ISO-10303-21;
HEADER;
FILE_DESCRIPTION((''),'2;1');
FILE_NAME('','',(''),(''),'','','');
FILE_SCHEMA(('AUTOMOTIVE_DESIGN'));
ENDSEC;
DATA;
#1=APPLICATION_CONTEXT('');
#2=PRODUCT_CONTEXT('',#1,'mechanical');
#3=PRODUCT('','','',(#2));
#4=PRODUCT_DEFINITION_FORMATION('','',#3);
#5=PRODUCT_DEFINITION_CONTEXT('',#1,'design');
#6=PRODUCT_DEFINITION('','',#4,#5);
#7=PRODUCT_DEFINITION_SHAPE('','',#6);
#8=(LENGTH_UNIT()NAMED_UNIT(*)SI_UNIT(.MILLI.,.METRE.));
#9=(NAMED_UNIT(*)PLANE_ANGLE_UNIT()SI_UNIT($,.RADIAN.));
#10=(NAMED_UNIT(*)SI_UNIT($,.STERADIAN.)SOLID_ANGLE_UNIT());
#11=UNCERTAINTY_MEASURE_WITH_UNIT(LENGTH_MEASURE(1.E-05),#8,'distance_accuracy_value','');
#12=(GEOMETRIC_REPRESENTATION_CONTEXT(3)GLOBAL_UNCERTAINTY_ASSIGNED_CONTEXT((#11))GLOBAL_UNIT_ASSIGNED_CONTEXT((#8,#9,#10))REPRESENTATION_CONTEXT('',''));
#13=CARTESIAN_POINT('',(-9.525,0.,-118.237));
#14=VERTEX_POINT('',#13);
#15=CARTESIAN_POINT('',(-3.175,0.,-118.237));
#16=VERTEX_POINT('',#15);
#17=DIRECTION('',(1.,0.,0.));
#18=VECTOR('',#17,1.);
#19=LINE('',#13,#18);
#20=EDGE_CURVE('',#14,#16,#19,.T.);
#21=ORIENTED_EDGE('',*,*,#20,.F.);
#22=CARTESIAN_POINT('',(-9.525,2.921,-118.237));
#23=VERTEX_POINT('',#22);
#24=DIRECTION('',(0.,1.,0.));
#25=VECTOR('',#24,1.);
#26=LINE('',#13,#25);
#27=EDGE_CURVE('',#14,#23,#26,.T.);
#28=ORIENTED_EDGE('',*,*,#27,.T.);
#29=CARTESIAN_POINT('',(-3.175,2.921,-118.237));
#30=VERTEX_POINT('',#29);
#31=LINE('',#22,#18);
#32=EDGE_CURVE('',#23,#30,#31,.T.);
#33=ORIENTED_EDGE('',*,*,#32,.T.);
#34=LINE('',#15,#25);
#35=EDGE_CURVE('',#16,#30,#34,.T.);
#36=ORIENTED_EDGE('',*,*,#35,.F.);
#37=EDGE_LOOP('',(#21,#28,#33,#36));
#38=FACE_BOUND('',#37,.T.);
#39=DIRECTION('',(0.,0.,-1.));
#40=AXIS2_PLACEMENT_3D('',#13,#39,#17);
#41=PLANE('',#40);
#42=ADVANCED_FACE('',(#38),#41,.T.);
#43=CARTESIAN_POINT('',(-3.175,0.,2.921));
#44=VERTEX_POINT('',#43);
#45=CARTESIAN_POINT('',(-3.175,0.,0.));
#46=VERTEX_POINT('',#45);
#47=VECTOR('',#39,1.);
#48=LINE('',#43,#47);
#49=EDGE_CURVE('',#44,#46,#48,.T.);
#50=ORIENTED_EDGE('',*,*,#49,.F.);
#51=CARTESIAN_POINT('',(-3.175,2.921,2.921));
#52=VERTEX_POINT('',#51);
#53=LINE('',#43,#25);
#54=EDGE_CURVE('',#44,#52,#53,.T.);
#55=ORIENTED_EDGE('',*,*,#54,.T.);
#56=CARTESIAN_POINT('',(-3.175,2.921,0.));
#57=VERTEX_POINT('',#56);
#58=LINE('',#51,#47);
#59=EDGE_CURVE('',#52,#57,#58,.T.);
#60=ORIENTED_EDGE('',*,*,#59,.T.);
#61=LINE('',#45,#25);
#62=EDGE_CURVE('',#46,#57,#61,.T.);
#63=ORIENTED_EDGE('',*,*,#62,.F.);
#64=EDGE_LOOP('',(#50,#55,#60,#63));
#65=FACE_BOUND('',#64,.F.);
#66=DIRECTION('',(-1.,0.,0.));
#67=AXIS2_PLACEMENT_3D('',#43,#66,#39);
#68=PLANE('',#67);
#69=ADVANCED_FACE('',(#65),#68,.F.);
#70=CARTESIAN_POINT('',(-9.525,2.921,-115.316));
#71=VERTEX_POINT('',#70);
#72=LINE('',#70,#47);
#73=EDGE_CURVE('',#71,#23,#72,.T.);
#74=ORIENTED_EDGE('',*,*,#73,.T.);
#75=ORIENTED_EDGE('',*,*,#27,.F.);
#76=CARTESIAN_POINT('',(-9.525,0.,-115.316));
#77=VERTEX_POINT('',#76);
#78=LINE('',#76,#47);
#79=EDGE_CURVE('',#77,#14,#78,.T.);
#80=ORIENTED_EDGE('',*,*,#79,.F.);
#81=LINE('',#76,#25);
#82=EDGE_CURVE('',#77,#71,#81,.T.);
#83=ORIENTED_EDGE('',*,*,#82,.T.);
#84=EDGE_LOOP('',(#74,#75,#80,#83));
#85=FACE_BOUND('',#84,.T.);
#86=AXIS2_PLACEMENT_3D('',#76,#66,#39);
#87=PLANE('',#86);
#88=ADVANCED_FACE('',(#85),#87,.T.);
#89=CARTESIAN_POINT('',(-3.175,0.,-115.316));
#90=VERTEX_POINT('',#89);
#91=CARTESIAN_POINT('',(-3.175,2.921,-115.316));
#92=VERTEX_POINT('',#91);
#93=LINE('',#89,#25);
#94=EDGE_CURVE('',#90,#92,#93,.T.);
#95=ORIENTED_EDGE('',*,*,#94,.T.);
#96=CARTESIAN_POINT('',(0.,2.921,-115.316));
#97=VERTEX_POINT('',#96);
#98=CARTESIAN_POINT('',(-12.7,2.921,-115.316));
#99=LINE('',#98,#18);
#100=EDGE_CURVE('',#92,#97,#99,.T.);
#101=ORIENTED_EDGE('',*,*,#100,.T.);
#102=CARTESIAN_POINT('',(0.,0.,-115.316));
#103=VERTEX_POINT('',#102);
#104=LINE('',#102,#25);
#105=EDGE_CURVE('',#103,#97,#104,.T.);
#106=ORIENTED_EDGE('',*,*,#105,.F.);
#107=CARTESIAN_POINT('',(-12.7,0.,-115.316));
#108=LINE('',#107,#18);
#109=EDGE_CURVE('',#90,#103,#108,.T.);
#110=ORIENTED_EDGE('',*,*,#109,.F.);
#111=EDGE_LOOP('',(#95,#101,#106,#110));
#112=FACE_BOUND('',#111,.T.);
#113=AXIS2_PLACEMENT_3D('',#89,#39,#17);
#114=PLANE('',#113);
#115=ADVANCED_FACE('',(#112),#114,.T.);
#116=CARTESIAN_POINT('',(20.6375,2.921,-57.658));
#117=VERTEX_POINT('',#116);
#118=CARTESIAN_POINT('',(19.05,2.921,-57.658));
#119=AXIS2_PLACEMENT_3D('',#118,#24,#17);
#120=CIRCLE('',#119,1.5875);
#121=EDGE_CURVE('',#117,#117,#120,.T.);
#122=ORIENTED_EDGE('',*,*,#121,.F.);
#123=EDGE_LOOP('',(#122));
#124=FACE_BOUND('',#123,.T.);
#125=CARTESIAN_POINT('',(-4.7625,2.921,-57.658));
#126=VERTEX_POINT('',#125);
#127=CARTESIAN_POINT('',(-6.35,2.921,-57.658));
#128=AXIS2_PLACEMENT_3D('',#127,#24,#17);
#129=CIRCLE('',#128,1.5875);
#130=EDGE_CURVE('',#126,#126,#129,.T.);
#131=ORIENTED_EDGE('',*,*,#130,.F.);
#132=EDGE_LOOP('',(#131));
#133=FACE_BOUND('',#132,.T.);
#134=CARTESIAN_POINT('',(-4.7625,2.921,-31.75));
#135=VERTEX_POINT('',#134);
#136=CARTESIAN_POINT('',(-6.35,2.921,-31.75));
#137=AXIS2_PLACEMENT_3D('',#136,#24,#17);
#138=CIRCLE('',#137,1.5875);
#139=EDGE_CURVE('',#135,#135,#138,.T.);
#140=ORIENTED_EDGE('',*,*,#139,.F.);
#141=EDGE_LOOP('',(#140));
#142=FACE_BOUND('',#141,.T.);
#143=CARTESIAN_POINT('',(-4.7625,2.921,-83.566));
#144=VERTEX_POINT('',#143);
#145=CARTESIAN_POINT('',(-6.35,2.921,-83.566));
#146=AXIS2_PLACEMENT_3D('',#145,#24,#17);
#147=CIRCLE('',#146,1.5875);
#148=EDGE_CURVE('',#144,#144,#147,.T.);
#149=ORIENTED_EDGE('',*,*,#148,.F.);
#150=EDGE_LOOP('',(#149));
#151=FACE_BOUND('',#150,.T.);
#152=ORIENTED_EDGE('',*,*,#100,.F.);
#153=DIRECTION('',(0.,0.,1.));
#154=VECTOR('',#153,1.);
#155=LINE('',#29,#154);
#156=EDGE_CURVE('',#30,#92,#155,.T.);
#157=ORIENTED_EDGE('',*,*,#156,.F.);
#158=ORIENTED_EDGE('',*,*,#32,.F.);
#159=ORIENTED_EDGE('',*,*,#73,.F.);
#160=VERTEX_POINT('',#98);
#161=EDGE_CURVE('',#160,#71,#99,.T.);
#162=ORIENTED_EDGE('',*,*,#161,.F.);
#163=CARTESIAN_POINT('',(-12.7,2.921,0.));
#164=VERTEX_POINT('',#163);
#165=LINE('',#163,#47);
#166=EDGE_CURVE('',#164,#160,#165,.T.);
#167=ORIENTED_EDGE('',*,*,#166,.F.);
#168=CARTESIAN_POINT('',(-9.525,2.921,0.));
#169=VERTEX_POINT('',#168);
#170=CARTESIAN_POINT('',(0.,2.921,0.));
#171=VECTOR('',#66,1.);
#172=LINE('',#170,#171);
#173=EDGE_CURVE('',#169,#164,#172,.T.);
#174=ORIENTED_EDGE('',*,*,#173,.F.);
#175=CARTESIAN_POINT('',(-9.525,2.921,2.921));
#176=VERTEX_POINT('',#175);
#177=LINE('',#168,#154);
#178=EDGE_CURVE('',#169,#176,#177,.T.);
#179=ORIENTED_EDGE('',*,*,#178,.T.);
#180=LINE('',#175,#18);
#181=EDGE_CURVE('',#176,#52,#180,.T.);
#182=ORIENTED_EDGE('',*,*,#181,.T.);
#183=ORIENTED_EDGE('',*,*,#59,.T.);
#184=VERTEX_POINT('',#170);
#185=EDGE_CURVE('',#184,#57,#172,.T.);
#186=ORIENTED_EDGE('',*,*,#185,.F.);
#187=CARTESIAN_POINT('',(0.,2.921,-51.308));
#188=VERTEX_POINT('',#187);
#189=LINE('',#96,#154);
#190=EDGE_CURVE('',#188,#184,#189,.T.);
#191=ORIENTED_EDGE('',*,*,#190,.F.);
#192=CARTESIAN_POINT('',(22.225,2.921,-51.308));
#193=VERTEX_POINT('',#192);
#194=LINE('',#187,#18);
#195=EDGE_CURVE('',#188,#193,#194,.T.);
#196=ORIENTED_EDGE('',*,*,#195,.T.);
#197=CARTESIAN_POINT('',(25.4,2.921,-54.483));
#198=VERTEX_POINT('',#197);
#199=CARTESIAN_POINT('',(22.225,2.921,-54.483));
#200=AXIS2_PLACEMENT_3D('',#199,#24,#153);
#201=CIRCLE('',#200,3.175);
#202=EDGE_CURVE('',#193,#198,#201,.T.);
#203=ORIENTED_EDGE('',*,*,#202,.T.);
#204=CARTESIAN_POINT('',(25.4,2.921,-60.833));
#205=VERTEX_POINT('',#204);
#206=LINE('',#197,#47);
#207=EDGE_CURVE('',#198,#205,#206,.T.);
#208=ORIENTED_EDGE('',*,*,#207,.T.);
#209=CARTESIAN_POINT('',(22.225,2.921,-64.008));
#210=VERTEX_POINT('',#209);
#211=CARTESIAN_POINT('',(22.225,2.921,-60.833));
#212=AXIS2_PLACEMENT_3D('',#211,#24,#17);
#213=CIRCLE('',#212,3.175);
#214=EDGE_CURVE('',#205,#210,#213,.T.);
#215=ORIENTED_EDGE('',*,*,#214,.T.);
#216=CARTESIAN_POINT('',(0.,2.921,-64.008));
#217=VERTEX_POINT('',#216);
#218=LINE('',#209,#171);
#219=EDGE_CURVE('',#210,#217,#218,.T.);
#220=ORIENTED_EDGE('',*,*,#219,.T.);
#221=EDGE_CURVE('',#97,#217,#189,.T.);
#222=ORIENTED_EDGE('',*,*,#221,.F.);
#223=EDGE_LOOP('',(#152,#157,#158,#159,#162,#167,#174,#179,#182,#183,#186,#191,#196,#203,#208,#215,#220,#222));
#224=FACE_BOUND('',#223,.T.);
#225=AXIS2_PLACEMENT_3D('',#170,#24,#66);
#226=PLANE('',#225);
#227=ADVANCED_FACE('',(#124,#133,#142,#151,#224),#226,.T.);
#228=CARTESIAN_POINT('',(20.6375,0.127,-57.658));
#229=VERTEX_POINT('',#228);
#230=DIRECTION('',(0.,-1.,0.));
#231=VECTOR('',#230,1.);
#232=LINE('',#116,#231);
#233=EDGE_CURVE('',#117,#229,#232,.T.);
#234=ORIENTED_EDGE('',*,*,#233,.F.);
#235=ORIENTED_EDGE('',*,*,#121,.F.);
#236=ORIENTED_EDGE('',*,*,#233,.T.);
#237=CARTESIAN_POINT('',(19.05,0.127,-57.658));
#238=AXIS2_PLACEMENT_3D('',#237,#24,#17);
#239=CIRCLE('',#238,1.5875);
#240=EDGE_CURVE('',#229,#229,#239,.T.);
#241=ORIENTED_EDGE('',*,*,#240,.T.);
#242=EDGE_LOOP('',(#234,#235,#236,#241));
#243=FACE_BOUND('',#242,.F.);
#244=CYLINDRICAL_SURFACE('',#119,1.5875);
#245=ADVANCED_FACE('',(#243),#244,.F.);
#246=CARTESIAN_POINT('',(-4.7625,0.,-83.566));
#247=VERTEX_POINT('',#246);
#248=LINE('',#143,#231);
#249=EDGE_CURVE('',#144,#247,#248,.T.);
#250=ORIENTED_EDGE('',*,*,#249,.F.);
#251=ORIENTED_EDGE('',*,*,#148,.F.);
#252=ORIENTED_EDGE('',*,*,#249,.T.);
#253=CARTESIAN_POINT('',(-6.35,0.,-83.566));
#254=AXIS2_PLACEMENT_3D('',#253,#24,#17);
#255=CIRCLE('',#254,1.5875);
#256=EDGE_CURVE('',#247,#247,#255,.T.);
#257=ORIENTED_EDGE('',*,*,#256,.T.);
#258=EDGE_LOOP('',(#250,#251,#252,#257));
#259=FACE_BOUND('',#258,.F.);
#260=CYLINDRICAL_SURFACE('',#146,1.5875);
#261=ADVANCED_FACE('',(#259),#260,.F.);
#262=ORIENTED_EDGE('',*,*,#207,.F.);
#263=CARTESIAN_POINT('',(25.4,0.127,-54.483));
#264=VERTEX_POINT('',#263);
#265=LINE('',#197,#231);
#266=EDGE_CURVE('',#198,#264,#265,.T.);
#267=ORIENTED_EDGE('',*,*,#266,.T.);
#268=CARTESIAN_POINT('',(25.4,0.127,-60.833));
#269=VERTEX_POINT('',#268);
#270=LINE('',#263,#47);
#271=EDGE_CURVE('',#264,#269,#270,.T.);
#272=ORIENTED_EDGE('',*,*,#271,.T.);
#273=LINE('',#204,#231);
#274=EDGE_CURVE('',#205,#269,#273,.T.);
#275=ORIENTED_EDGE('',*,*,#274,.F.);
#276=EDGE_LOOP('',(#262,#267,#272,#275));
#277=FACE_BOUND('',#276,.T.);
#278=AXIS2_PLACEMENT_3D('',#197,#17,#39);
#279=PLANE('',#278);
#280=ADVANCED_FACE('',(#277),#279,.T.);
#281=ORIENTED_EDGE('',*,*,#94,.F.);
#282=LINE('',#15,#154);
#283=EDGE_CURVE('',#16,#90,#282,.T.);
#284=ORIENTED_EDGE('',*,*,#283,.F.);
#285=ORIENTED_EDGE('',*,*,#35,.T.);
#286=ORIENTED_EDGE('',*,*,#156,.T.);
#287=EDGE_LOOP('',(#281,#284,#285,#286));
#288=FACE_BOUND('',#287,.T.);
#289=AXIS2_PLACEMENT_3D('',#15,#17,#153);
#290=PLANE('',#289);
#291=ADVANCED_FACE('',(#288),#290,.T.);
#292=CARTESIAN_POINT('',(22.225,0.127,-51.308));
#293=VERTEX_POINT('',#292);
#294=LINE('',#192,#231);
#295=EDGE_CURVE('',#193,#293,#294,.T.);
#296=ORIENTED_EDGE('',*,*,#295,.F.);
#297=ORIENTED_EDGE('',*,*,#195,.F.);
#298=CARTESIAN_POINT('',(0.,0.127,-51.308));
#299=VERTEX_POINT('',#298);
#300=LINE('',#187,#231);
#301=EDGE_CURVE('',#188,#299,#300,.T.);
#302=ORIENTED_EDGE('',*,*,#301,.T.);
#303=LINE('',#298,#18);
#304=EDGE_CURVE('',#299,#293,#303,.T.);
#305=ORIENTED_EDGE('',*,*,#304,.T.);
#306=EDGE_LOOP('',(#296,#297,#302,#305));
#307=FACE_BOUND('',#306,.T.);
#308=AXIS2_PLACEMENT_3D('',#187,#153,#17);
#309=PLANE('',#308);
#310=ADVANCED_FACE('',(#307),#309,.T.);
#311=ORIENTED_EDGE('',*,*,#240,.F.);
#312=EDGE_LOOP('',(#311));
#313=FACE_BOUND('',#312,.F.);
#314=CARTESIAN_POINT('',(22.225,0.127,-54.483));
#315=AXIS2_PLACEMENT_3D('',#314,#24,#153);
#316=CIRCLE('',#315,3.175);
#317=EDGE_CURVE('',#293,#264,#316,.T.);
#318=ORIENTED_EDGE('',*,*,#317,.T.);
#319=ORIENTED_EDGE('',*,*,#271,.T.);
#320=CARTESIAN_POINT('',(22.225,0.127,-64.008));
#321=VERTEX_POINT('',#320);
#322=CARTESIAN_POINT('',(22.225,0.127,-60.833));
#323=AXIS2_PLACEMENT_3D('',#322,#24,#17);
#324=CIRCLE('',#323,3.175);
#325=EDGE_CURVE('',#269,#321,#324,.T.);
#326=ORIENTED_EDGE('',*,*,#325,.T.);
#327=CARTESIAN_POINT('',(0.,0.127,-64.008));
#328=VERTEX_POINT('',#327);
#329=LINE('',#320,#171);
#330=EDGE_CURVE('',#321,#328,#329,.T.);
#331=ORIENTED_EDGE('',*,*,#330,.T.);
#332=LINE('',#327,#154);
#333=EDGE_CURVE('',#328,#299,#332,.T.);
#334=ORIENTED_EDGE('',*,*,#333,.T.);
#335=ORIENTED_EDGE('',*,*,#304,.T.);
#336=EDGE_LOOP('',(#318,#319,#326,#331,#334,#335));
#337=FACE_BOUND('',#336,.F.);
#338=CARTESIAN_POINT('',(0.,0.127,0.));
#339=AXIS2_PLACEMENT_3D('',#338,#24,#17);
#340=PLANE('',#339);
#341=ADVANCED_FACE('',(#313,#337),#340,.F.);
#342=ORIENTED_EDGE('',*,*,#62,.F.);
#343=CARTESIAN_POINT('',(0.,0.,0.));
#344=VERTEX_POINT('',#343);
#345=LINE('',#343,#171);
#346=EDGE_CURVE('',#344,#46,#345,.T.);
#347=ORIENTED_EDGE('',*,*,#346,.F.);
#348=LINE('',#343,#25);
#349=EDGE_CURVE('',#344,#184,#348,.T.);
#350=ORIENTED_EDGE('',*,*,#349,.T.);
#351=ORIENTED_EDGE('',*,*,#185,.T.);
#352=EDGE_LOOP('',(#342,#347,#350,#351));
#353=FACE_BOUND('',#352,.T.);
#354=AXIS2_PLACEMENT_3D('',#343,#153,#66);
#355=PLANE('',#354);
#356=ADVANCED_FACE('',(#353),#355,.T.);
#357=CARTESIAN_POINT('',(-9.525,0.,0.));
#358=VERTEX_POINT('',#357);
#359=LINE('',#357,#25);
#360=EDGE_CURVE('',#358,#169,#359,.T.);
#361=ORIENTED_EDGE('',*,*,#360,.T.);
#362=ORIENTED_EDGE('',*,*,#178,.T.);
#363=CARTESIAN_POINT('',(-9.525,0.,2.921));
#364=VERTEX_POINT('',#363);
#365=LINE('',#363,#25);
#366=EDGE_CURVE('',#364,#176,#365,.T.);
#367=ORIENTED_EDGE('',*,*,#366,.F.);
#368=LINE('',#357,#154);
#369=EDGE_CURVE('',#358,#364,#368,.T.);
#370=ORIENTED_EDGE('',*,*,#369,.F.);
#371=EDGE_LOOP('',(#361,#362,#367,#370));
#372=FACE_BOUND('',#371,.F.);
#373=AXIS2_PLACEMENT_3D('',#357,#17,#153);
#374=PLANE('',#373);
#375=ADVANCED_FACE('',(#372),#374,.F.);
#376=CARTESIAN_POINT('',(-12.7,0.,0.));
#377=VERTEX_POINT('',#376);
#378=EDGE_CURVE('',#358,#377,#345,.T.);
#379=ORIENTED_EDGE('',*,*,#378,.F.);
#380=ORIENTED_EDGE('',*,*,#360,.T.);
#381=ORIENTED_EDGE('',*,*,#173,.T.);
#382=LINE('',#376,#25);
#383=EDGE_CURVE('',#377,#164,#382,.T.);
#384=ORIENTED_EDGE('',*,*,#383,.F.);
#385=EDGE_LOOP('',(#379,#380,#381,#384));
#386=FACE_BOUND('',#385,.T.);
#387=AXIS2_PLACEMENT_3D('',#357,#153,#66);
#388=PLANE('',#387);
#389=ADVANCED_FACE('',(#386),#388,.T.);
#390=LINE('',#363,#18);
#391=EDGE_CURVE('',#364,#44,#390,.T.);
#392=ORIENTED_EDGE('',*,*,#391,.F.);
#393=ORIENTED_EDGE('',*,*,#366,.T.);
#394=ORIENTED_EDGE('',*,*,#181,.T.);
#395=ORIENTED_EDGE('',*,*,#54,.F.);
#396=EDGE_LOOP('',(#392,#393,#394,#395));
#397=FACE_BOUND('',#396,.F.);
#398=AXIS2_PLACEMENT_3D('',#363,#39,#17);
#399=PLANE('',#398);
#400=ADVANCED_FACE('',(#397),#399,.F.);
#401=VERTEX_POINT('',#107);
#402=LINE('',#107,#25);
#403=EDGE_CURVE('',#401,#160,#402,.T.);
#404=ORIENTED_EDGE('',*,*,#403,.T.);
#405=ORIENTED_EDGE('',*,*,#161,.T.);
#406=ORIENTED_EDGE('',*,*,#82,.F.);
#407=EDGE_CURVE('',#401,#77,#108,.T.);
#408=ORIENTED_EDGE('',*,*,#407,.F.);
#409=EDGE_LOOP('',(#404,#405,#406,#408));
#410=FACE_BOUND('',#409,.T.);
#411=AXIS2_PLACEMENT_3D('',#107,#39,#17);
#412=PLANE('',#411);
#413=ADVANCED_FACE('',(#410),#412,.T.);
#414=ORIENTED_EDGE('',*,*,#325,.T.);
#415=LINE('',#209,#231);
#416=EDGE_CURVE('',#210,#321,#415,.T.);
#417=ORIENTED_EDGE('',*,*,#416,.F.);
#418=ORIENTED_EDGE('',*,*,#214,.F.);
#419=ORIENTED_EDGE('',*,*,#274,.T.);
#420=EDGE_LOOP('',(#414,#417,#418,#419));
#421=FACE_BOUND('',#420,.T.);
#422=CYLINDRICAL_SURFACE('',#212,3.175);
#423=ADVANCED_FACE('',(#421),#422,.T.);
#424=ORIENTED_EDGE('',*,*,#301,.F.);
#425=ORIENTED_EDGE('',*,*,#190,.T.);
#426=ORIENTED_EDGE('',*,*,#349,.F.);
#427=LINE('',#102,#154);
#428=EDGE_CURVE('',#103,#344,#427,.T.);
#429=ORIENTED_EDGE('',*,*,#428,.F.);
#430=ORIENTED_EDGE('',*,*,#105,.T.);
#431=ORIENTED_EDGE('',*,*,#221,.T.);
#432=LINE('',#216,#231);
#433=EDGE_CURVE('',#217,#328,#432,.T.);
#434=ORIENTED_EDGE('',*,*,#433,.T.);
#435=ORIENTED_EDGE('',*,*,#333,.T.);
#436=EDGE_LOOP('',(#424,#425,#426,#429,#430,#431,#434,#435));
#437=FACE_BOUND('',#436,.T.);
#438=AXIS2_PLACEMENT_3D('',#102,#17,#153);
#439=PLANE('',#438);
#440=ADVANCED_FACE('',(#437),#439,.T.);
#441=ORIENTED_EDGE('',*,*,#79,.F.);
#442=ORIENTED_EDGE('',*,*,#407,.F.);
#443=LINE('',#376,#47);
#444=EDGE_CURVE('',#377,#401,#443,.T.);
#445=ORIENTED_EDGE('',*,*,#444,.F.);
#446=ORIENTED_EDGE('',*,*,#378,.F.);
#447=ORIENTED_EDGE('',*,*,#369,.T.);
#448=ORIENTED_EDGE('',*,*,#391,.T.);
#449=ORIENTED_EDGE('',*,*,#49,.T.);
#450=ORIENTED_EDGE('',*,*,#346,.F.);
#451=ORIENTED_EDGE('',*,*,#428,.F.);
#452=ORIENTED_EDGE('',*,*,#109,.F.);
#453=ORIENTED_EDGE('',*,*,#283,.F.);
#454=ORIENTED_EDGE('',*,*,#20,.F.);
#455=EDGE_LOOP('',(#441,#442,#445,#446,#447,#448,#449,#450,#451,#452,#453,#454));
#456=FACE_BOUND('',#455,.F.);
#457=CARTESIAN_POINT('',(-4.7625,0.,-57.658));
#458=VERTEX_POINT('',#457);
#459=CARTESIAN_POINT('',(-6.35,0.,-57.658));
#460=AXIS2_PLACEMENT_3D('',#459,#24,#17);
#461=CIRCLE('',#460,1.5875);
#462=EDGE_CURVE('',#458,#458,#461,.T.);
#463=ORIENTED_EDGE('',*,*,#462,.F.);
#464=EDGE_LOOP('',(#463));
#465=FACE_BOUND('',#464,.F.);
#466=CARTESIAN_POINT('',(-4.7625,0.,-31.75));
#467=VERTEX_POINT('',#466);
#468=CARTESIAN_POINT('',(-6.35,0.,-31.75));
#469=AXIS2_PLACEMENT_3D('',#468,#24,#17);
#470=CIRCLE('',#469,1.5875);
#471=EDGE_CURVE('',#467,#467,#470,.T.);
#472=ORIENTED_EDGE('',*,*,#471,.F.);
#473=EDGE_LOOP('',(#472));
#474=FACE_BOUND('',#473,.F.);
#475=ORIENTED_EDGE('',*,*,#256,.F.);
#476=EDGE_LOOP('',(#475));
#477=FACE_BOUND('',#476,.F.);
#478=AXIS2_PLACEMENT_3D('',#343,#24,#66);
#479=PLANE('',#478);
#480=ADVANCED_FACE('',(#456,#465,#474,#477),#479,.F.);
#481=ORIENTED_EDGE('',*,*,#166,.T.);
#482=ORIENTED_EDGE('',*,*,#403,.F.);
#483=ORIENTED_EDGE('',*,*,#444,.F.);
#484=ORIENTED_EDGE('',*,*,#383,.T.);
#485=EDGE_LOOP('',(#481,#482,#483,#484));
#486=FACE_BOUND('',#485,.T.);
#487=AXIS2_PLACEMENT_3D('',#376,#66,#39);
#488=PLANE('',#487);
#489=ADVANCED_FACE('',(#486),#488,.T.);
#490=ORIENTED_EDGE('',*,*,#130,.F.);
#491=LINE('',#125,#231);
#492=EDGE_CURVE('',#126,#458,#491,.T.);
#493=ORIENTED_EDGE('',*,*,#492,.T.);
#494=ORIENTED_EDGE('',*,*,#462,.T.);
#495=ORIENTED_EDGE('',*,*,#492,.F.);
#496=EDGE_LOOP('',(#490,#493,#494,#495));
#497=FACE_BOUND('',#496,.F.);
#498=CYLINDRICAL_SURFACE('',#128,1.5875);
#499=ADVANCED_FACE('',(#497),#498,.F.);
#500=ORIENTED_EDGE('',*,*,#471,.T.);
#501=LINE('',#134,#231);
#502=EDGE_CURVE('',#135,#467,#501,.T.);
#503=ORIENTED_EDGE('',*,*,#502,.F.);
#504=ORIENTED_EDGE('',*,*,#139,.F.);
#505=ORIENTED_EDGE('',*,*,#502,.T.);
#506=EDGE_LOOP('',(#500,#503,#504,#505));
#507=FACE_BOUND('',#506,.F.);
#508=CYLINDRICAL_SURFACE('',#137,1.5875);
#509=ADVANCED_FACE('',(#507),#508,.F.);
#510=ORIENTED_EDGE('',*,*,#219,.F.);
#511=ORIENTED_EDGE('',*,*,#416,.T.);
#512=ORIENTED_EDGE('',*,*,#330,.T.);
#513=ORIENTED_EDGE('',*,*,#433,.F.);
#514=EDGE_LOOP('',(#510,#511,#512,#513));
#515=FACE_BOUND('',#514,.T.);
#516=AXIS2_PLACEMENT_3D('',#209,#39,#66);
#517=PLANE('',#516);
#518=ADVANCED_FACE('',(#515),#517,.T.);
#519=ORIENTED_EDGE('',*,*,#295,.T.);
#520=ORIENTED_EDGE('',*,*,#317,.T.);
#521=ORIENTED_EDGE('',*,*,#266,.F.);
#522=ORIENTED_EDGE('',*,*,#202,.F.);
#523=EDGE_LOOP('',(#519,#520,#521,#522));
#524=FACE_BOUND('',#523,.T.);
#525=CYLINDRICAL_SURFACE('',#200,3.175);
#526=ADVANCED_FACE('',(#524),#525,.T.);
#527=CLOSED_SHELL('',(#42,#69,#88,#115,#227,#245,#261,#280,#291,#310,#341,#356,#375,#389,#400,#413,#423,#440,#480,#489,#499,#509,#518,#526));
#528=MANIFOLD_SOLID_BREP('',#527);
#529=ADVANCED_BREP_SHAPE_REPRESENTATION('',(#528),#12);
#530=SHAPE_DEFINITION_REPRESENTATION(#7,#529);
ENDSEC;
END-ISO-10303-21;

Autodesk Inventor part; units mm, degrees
ref_plane "YZ Plane" through (0, 0, 0) normal (1, 0, 0) x (0, 1, 0)
ref_plane "XZ Plane" through (0, 0, 0) normal (0, 1, 0) x (-1, 0, 0)
ref_plane "XY Plane" through (0, 0, 0) normal (0, 0, 1) x (1, 0, 0)
sketch "Sketch1" plane through (0, 0, 0) normal (0, 1, 0) x (-1, 0, 0)
  line L0 (0, 0) -> (12.7, 0)
  line L1 (12.7, 0) -> (12.7, -115.316)
  line L2 (12.7, -115.316) -> (0, -115.316)
  line L3 (0, -115.316) -> (0, 0)
  line L4 (3.175, 0) -> (9.525, 0)
  line L5 (9.525, 0) -> (9.525, 2.921)
  line L6 (9.525, 2.921) -> (3.175, 2.921)
  line L7 (3.175, 2.921) -> (3.175, 0)
  line L8 (3.175, -115.316) -> (9.525, -115.316)
  line L9 (9.525, -115.316) -> (9.525, -118.237)
  line L10 (9.525, -118.237) -> (3.175, -118.237)
  line L11 (3.175, -118.237) -> (3.175, -115.316)
  dimension "d0" = 115.316
  dimension "d1" = 12.7
  dimension "d2" = 6.35
  dimension "d3" = 3.175
  dimension "d4" = 2.921
  dimension "d5" = 2.921
  dimension "d6" = 3.175
extrude "Extrusion1" add sketch "Sketch1" along normal blind 2.921
sketch "Sketch2" plane through (0, 2.921, 0) normal (0, 1, 0) x (1, 0, 0)
  circle A0 centre (-6.35, 31.75) radius 1.5875
  circle A1 centre (-6.35, 83.566) radius 1.5875
  line L0 (0, 0) -> (0, 115.316)
  line L1 (-3.175, 0) -> (0, 0)
  line L2 (0, 115.316) -> (-3.175, 115.316)
  dimension "d9" = 3.175
  dimension "d10" = 3.175
  dimension "d11" = 6.35
  dimension "d12" = 6.35
  dimension "d13" = 31.75
  dimension "d14" = 31.75
extrude "Extrusion2" cut sketch "Sketch2" against normal blind 2.921
sketch "Sketch3" plane through (0, 2.921, 0) normal (0, 1, 0) x (1, 0, 0)
  circle A0 centre (-6.35, 57.658) radius 1.5875
  line L0 (0, 0) -> (0, 115.316)
  line L1 (-3.175, 0) -> (0, 0)
  dimension "d17" = 3.175
  dimension "d18" = 6.35
  dimension "d19" = 57.658
extrude "Extrusion3" cut sketch "Sketch3" against normal blind 2.921
sketch "Sketch4" plane through (0, 2.921, 0) normal (0, 1, 0) x (1, 0, 0)
  line L0 (0, 51.308) -> (22.225, 51.308)
  line L1 (25.4, 54.483) -> (25.4, 60.833)
  line L2 (22.225, 64.008) -> (0, 64.008)
  line L3 (0, 64.008) -> (0, 51.308)
  circle A0 centre (-6.35, 57.658) radius 1.5875
  line L4 (0, 0) -> (0, 115.316)
  circle A1 centre (19.05, 57.658) radius 1.5875
  arc A2 (25.4, 60.833) -> (22.225, 64.008) centre (22.225, 60.833) ccw
  arc A3 (22.225, 51.308) -> (25.4, 54.483) centre (22.225, 54.483) ccw
  point P0 (25.4, 64.008)
  point P1 (25.4, 51.308)
  dimension "d22" = 6.35
  dimension "d23" = 12.7
  dimension "d24" = 25.4
  dimension "d25" = 0
  dimension "d26" = 3.175
  dimension "d27" = 25.4
  dimension "d28" = 3.175
extrude "Extrusion4" add sketch "Sketch4" against normal blind 2.794 contours L3 L2 A2 L1 A3 L0
properties part number "spoonholder"
